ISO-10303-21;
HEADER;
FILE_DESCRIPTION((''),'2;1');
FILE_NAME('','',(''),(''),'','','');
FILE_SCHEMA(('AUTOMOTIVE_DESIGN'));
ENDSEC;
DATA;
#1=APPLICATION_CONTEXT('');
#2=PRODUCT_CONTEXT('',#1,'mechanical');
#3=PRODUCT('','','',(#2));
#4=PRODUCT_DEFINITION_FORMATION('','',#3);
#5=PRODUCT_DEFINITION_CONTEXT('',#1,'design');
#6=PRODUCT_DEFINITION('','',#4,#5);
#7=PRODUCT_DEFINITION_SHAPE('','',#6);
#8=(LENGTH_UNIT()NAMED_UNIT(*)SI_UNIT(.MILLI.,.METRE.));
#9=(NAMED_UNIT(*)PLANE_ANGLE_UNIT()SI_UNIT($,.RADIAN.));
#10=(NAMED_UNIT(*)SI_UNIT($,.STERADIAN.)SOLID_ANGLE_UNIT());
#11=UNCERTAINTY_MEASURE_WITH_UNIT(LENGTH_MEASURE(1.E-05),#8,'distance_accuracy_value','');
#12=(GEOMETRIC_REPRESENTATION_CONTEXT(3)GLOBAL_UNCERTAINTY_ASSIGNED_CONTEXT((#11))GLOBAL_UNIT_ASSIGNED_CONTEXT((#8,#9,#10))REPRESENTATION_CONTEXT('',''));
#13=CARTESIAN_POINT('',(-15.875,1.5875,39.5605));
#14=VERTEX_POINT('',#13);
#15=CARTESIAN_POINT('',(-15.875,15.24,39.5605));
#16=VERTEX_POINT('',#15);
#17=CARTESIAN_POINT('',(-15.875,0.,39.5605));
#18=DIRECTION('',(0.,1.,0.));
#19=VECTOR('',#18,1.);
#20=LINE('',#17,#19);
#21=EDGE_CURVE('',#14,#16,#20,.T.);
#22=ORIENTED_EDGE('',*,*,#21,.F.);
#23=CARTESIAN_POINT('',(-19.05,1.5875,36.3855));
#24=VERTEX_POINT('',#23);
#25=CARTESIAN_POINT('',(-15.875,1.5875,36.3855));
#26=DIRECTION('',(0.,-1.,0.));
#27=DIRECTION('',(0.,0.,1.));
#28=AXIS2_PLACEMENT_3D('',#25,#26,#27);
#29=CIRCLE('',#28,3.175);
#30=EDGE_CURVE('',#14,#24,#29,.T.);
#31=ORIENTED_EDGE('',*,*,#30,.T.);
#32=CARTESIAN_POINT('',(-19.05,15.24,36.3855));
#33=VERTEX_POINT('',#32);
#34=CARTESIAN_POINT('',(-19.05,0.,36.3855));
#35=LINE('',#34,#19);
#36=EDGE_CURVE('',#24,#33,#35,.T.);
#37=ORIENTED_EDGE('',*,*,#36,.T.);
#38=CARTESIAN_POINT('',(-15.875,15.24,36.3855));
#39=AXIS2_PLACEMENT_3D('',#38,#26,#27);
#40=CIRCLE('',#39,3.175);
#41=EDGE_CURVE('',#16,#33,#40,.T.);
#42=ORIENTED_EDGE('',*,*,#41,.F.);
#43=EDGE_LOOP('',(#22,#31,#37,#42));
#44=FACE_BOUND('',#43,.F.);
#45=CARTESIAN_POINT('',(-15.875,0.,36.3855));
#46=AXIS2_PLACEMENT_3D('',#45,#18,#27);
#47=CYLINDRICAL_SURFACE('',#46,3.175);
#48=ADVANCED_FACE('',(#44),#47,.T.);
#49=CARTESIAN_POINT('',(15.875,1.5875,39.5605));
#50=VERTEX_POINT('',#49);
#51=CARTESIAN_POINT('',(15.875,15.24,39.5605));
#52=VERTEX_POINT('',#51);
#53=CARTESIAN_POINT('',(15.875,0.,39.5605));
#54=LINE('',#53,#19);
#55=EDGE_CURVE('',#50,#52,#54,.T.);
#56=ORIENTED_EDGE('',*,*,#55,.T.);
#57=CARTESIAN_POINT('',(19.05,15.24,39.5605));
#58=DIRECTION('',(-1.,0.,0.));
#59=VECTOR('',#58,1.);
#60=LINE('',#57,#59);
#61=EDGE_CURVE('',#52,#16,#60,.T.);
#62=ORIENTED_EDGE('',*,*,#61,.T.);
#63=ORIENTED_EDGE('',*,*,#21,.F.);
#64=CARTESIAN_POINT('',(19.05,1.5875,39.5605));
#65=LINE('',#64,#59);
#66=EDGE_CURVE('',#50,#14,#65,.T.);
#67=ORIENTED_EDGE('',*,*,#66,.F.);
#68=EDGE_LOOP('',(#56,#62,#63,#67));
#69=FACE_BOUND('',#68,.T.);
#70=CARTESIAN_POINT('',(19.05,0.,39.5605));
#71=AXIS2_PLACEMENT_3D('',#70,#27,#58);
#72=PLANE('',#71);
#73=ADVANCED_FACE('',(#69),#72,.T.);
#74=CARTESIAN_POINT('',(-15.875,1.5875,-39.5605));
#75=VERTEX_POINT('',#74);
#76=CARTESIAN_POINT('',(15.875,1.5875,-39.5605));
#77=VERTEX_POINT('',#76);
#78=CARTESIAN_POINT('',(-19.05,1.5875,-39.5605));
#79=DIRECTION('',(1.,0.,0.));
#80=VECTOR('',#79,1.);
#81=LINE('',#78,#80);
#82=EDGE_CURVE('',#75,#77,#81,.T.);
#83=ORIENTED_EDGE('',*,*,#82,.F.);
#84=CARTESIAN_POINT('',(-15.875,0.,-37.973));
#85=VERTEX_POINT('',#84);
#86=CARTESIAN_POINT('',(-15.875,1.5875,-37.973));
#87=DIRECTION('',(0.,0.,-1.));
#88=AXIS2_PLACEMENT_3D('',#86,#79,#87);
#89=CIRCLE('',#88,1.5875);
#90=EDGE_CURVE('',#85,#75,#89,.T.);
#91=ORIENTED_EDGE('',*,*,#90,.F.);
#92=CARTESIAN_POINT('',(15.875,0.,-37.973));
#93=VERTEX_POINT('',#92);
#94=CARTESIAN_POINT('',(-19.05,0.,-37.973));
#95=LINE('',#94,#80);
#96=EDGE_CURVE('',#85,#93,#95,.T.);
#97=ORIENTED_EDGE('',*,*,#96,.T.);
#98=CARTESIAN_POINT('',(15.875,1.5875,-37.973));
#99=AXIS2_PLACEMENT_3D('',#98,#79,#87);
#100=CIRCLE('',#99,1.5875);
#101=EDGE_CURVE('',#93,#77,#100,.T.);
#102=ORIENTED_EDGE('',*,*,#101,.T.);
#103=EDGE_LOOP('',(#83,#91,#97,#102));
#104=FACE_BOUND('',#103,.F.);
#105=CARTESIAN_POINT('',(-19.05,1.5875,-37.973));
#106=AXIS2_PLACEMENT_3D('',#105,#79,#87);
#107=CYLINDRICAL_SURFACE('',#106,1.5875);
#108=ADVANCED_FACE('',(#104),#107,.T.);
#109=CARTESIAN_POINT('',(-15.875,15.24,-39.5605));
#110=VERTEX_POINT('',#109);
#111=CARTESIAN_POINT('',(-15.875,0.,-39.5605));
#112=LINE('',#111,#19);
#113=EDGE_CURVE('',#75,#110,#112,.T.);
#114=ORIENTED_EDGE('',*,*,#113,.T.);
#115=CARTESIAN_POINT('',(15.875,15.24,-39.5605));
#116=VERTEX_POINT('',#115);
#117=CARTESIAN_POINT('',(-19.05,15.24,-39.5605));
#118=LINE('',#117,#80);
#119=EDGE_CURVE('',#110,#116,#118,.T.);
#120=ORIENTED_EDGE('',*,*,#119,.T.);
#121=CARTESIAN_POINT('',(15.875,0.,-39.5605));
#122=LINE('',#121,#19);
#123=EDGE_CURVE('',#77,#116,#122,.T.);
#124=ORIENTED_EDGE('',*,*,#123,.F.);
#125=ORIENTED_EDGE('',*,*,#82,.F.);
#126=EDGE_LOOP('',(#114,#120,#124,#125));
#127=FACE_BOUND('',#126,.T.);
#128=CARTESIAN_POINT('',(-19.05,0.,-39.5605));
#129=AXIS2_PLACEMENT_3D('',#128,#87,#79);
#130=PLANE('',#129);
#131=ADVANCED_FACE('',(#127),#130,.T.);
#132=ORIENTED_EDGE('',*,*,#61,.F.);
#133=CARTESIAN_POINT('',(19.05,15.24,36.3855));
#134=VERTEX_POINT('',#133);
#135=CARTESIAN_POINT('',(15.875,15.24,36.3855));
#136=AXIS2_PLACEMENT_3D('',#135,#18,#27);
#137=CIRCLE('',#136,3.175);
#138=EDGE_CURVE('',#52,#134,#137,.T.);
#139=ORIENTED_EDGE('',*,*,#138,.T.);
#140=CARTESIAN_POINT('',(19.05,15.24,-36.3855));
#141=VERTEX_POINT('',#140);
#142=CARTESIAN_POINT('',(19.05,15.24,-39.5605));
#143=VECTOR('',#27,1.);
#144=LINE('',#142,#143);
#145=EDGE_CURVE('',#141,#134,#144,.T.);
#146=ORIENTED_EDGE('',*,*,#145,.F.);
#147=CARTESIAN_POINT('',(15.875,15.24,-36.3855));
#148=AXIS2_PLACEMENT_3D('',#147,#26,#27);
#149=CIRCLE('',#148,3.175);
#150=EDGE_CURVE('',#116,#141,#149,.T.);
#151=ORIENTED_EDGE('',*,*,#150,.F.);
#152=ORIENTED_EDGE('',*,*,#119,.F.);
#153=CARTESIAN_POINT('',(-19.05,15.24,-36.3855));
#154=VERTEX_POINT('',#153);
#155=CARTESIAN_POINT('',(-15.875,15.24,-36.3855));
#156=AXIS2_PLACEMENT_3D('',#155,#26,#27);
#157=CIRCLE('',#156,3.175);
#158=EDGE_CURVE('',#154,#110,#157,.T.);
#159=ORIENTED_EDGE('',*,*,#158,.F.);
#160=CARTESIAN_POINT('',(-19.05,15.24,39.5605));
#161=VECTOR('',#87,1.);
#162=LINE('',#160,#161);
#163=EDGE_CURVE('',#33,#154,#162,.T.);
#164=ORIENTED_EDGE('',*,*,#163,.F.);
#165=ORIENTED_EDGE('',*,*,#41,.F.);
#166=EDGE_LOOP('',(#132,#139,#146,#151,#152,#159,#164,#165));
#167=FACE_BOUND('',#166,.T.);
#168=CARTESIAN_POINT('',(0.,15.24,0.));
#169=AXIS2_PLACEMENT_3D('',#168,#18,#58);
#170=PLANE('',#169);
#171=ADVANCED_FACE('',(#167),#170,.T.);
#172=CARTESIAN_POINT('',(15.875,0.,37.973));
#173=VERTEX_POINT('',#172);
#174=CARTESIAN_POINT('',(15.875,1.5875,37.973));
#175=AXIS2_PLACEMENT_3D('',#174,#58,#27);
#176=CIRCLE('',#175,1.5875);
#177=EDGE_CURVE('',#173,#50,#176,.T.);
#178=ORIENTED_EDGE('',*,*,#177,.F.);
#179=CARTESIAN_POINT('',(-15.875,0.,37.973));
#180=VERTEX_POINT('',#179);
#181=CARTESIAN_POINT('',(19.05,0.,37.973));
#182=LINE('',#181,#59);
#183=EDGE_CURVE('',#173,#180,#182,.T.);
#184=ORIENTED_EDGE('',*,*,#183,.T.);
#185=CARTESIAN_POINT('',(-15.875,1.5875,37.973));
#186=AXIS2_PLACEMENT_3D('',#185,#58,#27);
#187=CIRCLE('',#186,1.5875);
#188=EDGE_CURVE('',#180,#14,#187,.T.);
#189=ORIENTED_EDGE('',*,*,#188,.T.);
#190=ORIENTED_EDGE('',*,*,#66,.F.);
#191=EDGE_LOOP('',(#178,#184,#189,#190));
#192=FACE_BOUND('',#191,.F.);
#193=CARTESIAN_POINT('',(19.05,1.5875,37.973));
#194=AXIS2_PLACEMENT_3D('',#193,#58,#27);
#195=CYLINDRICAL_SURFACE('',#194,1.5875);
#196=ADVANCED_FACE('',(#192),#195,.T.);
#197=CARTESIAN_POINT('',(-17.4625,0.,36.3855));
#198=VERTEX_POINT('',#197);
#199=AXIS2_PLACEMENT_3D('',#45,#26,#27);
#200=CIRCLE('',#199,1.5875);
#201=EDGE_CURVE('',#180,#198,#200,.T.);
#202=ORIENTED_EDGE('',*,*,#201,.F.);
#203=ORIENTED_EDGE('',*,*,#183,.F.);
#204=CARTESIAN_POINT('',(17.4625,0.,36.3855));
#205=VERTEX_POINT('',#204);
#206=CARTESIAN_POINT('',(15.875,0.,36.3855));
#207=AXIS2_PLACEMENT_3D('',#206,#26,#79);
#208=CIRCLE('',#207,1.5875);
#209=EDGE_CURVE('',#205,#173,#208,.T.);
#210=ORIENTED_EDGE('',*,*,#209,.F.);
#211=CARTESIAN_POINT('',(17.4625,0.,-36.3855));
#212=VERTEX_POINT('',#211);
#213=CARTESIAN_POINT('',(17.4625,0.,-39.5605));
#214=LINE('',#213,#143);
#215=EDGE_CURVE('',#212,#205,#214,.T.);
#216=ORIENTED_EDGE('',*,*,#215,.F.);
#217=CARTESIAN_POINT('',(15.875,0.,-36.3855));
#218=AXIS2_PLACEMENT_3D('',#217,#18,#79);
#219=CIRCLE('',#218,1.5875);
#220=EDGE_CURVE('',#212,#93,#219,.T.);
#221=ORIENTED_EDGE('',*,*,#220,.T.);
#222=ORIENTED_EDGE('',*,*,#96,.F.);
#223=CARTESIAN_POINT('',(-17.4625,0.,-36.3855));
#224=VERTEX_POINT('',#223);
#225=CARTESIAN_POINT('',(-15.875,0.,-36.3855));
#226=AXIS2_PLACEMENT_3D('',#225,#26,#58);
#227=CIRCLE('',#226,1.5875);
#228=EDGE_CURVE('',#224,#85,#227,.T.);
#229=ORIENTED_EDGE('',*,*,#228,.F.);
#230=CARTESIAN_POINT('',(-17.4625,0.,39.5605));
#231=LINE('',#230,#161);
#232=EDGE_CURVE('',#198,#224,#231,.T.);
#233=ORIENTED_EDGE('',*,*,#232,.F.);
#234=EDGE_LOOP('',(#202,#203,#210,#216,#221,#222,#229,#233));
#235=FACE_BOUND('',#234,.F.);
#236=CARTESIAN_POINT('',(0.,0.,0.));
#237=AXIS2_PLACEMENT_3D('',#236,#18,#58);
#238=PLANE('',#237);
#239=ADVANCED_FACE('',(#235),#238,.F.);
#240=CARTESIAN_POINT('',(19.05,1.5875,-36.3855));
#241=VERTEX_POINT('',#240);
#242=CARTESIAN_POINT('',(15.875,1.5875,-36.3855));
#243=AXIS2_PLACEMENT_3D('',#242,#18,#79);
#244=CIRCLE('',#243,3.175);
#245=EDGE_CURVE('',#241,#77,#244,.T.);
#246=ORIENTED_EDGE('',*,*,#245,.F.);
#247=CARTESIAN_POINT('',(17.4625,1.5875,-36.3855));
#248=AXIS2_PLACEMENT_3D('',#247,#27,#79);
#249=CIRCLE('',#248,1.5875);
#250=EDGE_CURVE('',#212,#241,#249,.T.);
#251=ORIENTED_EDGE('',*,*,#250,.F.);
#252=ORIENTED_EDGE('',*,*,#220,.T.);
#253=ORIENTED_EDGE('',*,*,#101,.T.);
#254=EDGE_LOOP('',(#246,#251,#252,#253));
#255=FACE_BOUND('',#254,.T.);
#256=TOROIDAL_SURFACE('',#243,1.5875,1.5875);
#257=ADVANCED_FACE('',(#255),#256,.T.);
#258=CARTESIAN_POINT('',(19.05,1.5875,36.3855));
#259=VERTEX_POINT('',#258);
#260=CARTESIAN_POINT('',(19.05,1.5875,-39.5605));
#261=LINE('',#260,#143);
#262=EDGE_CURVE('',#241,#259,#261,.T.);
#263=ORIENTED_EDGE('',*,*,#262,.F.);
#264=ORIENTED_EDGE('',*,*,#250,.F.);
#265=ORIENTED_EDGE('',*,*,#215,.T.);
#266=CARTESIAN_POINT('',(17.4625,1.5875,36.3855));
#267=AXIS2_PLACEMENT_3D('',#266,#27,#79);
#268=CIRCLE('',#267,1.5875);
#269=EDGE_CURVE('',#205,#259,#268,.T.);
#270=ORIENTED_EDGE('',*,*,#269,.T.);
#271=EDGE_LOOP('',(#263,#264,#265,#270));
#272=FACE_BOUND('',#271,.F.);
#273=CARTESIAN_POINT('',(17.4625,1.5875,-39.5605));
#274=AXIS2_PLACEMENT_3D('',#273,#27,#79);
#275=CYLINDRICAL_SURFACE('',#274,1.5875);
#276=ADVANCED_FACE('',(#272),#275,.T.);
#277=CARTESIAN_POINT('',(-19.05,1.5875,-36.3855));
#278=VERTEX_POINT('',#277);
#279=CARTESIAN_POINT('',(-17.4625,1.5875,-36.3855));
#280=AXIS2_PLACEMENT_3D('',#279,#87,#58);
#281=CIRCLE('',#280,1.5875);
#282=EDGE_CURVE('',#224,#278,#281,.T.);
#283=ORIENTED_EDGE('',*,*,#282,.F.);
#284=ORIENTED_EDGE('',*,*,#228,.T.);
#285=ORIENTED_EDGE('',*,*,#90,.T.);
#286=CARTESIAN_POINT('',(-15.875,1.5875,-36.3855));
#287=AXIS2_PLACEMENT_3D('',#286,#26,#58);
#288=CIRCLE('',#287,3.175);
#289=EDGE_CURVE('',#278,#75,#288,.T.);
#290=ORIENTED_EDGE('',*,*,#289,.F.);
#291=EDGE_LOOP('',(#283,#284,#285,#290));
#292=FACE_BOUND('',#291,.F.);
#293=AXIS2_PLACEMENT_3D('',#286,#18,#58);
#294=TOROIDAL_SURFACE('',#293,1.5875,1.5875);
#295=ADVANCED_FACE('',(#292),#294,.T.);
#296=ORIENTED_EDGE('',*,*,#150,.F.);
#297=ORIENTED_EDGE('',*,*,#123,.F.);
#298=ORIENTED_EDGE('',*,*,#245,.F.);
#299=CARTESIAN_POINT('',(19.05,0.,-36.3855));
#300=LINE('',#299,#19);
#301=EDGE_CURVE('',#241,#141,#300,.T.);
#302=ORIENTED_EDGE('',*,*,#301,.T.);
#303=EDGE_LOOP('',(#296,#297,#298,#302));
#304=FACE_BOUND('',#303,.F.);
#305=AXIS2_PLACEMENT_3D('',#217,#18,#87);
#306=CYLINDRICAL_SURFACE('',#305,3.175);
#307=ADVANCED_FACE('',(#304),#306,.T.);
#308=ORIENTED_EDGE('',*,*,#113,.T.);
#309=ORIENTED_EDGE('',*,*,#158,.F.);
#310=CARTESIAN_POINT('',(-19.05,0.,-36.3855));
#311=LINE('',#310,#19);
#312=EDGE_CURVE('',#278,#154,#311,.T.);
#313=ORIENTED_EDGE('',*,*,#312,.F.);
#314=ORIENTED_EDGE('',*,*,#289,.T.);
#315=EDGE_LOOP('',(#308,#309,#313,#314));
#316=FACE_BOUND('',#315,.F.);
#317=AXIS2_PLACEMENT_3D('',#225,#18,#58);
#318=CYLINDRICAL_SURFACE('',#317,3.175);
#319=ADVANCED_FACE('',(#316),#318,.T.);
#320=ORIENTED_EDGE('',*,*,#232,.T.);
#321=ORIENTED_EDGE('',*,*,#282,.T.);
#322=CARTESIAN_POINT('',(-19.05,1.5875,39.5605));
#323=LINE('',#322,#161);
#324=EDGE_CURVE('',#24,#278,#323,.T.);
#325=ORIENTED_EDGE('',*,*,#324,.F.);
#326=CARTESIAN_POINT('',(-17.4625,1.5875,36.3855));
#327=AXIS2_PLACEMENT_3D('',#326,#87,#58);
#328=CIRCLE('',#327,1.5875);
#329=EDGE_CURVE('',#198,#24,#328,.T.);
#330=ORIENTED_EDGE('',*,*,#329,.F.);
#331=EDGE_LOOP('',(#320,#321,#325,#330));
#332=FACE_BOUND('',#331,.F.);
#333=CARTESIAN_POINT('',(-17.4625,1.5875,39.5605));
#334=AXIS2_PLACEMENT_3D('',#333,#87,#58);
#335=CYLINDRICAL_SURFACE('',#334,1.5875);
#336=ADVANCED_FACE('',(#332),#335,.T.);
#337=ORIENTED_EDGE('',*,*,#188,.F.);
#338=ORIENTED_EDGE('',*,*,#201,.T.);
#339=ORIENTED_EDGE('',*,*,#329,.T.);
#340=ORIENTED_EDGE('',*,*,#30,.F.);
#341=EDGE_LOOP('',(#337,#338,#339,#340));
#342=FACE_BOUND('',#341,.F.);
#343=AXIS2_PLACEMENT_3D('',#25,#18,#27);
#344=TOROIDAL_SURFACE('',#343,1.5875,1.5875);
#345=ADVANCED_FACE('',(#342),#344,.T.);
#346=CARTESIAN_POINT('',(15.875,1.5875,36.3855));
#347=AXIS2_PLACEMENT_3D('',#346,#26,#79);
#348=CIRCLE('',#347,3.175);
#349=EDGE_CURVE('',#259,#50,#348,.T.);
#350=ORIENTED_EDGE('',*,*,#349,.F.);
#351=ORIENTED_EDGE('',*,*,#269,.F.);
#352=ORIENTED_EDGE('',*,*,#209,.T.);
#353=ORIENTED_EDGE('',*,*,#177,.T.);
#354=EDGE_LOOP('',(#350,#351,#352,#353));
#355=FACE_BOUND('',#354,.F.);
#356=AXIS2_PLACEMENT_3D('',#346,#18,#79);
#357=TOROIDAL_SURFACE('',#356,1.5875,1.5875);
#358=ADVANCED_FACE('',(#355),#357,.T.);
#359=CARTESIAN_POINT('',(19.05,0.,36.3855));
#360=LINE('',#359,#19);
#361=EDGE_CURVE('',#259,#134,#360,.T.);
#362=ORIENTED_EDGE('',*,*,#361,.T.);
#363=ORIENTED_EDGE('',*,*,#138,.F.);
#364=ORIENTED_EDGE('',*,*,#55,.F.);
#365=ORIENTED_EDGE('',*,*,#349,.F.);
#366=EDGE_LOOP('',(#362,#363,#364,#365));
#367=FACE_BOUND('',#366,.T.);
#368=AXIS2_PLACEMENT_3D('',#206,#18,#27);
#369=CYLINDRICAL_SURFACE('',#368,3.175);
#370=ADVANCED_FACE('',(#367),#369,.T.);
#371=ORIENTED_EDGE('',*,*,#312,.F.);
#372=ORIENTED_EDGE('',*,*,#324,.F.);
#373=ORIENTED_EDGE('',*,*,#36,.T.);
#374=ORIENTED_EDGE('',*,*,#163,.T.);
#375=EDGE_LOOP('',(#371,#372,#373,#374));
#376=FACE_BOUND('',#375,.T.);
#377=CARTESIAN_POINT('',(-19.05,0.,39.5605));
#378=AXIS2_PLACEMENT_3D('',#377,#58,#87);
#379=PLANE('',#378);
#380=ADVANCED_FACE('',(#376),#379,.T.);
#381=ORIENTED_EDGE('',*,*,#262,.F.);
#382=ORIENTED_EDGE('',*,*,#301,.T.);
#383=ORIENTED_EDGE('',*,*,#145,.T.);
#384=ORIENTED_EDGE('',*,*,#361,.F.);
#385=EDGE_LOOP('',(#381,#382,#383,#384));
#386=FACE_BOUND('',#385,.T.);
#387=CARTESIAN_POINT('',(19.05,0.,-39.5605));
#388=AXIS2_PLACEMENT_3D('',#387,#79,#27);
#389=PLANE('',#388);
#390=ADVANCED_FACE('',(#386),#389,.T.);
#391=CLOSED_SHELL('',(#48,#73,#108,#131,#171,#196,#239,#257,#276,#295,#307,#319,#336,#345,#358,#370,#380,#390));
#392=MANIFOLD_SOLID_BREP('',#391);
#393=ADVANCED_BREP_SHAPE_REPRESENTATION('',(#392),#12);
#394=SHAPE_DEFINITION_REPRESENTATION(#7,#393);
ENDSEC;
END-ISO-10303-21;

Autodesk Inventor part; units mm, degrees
ref_plane "YZ Plane" through (0, 0, 0) normal (1, 0, 0) x (0, 1, 0)
ref_plane "XZ Plane" through (0, 0, 0) normal (0, 1, 0) x (-1, 0, 0)
ref_plane "XY Plane" through (0, 0, 0) normal (0, 0, 1) x (1, 0, 0)
sketch "Sketch1" plane through (0, 0, 0) normal (0, 1, 0) x (-1, 0, 0)
  line L0 (-19.05, 39.5605) -> (19.05, 39.5605)
  line L1 (19.05, 39.5605) -> (19.05, -39.5605)
  line L2 (19.05, -39.5605) -> (-19.05, -39.5605)
  line L3 (-19.05, -39.5605) -> (-19.05, 39.5605)
  line L4 (-19.05, 39.5605) -> (19.05, -39.5605) construction
  line L5 (19.05, 39.5605) -> (-19.05, -39.5605) construction
  point P0 (0, 0)
  dimension "d0" = 79.121
  dimension "d1" = 38.1
extrude "Extrusion1" add sketch "Sketch1" along normal blind 15.24
fillet "Fillet1" radius 1.5875 4 edges at (19.05, 0, 0) (0, 0, 39.5605) (-19.05, 0, 0) (0, 0, -39.5605)
fillet "Fillet1" radius 3.175 4 edges at (-19.05, 7.62, -39.5605) (19.05, 7.62, -39.5605) (19.05, 7.62, 39.5605) (-19.05, 7.62, 39.5605)
properties part number "rasberry pi"
